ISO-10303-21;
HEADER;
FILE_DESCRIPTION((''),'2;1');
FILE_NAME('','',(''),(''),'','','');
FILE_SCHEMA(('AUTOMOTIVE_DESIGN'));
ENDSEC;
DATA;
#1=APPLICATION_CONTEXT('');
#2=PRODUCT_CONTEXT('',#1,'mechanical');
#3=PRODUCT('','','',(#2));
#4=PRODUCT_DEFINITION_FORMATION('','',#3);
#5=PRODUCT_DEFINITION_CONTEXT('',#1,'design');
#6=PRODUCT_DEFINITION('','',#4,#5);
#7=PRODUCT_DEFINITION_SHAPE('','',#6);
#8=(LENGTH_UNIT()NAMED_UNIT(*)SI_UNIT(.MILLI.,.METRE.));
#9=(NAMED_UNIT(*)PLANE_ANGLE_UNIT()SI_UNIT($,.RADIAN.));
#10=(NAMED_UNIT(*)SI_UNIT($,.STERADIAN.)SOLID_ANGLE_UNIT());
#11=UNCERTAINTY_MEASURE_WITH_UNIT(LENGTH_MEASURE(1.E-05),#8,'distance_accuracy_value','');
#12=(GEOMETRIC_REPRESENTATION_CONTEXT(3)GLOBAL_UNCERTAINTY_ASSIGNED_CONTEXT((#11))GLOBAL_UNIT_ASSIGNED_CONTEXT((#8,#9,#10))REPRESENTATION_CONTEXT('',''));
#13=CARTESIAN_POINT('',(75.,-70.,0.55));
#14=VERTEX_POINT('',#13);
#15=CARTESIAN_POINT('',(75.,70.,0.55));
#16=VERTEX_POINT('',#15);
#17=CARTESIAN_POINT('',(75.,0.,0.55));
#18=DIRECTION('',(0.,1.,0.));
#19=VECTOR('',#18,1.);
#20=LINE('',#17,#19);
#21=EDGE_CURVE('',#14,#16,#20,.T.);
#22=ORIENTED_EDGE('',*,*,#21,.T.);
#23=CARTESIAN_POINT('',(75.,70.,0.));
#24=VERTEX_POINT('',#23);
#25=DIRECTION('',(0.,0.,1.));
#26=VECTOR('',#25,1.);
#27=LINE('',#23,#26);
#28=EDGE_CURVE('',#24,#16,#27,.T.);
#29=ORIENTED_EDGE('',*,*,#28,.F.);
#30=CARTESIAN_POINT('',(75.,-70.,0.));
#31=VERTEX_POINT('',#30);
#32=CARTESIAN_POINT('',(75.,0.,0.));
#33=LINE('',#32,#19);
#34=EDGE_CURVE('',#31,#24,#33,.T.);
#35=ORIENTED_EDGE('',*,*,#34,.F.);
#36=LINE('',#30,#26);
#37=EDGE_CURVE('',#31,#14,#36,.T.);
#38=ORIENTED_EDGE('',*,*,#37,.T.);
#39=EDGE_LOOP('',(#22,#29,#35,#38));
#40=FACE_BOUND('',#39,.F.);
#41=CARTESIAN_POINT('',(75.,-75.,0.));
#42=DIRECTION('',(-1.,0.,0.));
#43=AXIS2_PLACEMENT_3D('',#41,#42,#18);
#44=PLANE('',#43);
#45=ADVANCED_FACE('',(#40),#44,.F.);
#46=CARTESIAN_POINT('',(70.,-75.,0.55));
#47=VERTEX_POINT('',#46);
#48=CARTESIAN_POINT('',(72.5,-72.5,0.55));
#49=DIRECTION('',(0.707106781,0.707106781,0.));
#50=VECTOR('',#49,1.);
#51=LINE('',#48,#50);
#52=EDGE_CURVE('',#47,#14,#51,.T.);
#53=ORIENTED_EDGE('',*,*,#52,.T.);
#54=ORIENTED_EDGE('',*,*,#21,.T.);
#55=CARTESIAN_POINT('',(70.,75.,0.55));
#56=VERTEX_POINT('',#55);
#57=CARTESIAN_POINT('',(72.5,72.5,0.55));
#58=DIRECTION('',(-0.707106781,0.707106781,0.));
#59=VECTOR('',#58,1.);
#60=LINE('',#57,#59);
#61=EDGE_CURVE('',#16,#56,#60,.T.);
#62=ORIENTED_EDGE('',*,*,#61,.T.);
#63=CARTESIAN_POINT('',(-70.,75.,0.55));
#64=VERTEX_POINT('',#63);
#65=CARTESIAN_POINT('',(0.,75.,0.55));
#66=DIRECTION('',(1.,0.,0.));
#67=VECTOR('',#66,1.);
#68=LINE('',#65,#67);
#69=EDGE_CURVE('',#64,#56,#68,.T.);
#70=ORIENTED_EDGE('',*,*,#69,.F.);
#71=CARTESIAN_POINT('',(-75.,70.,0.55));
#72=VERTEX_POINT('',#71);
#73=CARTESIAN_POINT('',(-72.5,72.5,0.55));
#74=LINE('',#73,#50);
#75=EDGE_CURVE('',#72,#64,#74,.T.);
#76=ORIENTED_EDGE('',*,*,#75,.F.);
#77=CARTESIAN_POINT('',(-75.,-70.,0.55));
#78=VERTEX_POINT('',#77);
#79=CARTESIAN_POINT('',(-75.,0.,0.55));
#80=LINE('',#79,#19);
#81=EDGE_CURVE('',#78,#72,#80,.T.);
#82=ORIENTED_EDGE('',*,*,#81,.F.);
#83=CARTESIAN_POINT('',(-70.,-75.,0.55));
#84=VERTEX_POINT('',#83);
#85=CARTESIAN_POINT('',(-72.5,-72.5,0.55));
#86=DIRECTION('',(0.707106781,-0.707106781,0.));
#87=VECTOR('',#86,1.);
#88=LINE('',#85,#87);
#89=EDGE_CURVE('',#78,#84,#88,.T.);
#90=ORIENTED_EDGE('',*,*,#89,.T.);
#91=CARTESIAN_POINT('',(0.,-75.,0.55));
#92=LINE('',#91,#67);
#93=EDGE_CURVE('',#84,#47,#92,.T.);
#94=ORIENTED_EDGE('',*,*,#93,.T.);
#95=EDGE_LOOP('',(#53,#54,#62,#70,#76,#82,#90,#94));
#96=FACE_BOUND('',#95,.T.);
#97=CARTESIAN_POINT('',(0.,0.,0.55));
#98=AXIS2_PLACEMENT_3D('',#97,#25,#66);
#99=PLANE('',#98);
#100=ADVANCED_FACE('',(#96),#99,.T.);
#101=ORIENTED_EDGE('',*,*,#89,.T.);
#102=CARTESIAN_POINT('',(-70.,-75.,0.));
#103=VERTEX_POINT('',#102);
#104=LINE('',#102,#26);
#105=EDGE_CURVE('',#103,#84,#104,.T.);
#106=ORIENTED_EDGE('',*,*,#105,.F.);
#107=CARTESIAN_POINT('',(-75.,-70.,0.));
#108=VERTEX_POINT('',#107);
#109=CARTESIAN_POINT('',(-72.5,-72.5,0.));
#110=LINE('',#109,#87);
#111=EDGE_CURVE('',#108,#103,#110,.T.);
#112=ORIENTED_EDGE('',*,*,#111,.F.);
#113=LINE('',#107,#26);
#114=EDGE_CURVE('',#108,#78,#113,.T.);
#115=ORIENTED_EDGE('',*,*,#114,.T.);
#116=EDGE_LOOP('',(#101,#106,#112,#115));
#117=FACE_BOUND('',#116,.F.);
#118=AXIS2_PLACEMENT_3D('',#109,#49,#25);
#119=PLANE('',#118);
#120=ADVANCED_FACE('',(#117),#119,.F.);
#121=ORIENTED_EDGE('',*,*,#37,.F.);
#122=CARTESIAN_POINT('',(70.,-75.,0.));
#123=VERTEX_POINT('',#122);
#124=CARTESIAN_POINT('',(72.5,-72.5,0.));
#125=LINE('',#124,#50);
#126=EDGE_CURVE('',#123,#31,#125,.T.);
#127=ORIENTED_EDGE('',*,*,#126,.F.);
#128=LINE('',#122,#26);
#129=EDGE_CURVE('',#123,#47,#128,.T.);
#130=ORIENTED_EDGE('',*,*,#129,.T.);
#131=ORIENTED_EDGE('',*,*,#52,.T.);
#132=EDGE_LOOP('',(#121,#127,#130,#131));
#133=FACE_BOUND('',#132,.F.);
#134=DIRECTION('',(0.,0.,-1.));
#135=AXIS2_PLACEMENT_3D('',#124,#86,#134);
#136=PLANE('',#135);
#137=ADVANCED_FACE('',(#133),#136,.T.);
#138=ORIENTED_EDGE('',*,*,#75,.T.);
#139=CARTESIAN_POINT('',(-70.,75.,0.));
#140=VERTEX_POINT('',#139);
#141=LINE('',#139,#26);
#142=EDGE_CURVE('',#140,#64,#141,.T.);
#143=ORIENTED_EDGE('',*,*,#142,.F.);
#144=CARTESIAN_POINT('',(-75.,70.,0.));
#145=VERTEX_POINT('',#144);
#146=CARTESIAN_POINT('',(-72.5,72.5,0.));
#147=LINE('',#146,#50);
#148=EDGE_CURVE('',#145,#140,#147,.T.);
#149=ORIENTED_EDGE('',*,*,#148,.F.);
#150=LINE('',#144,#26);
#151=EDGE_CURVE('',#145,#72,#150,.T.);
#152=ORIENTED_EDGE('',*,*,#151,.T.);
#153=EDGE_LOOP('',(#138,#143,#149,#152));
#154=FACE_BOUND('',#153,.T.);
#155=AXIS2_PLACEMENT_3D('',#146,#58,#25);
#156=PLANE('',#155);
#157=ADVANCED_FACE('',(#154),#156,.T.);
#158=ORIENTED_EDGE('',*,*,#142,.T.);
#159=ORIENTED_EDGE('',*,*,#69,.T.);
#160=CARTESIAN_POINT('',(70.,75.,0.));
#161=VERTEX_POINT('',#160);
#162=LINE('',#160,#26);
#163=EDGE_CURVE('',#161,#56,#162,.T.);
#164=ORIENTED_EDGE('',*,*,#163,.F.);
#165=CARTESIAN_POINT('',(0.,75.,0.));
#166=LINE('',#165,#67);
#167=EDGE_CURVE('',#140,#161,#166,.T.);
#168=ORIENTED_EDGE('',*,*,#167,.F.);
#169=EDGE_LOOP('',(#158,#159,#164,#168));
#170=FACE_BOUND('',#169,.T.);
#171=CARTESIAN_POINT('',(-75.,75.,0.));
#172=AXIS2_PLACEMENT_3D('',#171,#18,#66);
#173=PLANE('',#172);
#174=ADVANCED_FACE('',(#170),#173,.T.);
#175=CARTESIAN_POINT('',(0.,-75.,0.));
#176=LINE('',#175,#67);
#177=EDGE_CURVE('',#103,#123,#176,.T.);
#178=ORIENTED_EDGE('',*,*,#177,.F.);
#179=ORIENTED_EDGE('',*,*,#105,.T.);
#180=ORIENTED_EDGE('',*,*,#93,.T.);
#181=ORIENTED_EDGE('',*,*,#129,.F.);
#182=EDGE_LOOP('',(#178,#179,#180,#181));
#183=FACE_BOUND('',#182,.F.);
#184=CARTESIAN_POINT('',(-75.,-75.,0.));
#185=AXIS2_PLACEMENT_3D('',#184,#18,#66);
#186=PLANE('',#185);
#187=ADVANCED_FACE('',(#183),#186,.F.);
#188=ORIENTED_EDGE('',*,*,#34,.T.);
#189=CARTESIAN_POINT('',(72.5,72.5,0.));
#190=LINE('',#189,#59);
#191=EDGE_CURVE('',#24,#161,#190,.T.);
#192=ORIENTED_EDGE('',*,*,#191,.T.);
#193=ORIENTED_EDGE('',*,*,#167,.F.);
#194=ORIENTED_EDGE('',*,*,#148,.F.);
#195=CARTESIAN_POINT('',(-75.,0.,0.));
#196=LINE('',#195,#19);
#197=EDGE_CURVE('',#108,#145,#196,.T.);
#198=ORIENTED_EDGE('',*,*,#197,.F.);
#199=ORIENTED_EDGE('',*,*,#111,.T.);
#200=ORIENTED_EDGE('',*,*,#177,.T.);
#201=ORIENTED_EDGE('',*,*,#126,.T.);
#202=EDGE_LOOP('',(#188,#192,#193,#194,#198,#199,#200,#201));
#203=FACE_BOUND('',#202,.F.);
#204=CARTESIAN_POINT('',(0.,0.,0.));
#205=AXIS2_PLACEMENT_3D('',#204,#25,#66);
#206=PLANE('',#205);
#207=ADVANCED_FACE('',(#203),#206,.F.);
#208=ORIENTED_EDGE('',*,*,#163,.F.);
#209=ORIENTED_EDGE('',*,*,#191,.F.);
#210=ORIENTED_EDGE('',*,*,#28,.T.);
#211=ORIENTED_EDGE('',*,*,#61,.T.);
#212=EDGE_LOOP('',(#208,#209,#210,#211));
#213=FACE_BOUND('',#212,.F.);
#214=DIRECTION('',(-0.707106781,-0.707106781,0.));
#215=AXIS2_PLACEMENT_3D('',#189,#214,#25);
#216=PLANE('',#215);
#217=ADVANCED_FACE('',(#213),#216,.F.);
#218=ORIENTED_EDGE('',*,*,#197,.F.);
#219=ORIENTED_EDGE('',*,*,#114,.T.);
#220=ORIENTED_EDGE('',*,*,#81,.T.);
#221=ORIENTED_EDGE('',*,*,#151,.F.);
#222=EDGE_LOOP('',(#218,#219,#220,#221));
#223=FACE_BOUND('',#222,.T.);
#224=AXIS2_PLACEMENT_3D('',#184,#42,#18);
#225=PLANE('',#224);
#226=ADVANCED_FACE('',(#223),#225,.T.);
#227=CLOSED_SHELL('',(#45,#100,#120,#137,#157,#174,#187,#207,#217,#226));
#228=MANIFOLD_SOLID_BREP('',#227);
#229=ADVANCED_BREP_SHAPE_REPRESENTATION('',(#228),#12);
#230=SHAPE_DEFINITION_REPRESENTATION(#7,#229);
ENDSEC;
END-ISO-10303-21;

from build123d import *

# Parameters (mm, degrees)
F0_W     = 150
F0_H     = 150
F1_DEPTH = 0.55
F2_SIZE  = 5


with BuildPart() as f1:
    # F0 (on Top) → F1 (new body)
    with BuildSketch(Plane.XY):
        Rectangle(F0_W, F0_H)
    extrude(amount=F1_DEPTH)

    # F2
    f2_edges = [f1.edges().sort_by_distance(p)[0] for p in [
        (-75, -75, 0.275),
        (-75, 75, 0.275),
        (75, 75, 0.275),
        (75, -75, 0.275),
    ]]
    chamfer(f2_edges, length=F2_SIZE)


solid = f1.part
